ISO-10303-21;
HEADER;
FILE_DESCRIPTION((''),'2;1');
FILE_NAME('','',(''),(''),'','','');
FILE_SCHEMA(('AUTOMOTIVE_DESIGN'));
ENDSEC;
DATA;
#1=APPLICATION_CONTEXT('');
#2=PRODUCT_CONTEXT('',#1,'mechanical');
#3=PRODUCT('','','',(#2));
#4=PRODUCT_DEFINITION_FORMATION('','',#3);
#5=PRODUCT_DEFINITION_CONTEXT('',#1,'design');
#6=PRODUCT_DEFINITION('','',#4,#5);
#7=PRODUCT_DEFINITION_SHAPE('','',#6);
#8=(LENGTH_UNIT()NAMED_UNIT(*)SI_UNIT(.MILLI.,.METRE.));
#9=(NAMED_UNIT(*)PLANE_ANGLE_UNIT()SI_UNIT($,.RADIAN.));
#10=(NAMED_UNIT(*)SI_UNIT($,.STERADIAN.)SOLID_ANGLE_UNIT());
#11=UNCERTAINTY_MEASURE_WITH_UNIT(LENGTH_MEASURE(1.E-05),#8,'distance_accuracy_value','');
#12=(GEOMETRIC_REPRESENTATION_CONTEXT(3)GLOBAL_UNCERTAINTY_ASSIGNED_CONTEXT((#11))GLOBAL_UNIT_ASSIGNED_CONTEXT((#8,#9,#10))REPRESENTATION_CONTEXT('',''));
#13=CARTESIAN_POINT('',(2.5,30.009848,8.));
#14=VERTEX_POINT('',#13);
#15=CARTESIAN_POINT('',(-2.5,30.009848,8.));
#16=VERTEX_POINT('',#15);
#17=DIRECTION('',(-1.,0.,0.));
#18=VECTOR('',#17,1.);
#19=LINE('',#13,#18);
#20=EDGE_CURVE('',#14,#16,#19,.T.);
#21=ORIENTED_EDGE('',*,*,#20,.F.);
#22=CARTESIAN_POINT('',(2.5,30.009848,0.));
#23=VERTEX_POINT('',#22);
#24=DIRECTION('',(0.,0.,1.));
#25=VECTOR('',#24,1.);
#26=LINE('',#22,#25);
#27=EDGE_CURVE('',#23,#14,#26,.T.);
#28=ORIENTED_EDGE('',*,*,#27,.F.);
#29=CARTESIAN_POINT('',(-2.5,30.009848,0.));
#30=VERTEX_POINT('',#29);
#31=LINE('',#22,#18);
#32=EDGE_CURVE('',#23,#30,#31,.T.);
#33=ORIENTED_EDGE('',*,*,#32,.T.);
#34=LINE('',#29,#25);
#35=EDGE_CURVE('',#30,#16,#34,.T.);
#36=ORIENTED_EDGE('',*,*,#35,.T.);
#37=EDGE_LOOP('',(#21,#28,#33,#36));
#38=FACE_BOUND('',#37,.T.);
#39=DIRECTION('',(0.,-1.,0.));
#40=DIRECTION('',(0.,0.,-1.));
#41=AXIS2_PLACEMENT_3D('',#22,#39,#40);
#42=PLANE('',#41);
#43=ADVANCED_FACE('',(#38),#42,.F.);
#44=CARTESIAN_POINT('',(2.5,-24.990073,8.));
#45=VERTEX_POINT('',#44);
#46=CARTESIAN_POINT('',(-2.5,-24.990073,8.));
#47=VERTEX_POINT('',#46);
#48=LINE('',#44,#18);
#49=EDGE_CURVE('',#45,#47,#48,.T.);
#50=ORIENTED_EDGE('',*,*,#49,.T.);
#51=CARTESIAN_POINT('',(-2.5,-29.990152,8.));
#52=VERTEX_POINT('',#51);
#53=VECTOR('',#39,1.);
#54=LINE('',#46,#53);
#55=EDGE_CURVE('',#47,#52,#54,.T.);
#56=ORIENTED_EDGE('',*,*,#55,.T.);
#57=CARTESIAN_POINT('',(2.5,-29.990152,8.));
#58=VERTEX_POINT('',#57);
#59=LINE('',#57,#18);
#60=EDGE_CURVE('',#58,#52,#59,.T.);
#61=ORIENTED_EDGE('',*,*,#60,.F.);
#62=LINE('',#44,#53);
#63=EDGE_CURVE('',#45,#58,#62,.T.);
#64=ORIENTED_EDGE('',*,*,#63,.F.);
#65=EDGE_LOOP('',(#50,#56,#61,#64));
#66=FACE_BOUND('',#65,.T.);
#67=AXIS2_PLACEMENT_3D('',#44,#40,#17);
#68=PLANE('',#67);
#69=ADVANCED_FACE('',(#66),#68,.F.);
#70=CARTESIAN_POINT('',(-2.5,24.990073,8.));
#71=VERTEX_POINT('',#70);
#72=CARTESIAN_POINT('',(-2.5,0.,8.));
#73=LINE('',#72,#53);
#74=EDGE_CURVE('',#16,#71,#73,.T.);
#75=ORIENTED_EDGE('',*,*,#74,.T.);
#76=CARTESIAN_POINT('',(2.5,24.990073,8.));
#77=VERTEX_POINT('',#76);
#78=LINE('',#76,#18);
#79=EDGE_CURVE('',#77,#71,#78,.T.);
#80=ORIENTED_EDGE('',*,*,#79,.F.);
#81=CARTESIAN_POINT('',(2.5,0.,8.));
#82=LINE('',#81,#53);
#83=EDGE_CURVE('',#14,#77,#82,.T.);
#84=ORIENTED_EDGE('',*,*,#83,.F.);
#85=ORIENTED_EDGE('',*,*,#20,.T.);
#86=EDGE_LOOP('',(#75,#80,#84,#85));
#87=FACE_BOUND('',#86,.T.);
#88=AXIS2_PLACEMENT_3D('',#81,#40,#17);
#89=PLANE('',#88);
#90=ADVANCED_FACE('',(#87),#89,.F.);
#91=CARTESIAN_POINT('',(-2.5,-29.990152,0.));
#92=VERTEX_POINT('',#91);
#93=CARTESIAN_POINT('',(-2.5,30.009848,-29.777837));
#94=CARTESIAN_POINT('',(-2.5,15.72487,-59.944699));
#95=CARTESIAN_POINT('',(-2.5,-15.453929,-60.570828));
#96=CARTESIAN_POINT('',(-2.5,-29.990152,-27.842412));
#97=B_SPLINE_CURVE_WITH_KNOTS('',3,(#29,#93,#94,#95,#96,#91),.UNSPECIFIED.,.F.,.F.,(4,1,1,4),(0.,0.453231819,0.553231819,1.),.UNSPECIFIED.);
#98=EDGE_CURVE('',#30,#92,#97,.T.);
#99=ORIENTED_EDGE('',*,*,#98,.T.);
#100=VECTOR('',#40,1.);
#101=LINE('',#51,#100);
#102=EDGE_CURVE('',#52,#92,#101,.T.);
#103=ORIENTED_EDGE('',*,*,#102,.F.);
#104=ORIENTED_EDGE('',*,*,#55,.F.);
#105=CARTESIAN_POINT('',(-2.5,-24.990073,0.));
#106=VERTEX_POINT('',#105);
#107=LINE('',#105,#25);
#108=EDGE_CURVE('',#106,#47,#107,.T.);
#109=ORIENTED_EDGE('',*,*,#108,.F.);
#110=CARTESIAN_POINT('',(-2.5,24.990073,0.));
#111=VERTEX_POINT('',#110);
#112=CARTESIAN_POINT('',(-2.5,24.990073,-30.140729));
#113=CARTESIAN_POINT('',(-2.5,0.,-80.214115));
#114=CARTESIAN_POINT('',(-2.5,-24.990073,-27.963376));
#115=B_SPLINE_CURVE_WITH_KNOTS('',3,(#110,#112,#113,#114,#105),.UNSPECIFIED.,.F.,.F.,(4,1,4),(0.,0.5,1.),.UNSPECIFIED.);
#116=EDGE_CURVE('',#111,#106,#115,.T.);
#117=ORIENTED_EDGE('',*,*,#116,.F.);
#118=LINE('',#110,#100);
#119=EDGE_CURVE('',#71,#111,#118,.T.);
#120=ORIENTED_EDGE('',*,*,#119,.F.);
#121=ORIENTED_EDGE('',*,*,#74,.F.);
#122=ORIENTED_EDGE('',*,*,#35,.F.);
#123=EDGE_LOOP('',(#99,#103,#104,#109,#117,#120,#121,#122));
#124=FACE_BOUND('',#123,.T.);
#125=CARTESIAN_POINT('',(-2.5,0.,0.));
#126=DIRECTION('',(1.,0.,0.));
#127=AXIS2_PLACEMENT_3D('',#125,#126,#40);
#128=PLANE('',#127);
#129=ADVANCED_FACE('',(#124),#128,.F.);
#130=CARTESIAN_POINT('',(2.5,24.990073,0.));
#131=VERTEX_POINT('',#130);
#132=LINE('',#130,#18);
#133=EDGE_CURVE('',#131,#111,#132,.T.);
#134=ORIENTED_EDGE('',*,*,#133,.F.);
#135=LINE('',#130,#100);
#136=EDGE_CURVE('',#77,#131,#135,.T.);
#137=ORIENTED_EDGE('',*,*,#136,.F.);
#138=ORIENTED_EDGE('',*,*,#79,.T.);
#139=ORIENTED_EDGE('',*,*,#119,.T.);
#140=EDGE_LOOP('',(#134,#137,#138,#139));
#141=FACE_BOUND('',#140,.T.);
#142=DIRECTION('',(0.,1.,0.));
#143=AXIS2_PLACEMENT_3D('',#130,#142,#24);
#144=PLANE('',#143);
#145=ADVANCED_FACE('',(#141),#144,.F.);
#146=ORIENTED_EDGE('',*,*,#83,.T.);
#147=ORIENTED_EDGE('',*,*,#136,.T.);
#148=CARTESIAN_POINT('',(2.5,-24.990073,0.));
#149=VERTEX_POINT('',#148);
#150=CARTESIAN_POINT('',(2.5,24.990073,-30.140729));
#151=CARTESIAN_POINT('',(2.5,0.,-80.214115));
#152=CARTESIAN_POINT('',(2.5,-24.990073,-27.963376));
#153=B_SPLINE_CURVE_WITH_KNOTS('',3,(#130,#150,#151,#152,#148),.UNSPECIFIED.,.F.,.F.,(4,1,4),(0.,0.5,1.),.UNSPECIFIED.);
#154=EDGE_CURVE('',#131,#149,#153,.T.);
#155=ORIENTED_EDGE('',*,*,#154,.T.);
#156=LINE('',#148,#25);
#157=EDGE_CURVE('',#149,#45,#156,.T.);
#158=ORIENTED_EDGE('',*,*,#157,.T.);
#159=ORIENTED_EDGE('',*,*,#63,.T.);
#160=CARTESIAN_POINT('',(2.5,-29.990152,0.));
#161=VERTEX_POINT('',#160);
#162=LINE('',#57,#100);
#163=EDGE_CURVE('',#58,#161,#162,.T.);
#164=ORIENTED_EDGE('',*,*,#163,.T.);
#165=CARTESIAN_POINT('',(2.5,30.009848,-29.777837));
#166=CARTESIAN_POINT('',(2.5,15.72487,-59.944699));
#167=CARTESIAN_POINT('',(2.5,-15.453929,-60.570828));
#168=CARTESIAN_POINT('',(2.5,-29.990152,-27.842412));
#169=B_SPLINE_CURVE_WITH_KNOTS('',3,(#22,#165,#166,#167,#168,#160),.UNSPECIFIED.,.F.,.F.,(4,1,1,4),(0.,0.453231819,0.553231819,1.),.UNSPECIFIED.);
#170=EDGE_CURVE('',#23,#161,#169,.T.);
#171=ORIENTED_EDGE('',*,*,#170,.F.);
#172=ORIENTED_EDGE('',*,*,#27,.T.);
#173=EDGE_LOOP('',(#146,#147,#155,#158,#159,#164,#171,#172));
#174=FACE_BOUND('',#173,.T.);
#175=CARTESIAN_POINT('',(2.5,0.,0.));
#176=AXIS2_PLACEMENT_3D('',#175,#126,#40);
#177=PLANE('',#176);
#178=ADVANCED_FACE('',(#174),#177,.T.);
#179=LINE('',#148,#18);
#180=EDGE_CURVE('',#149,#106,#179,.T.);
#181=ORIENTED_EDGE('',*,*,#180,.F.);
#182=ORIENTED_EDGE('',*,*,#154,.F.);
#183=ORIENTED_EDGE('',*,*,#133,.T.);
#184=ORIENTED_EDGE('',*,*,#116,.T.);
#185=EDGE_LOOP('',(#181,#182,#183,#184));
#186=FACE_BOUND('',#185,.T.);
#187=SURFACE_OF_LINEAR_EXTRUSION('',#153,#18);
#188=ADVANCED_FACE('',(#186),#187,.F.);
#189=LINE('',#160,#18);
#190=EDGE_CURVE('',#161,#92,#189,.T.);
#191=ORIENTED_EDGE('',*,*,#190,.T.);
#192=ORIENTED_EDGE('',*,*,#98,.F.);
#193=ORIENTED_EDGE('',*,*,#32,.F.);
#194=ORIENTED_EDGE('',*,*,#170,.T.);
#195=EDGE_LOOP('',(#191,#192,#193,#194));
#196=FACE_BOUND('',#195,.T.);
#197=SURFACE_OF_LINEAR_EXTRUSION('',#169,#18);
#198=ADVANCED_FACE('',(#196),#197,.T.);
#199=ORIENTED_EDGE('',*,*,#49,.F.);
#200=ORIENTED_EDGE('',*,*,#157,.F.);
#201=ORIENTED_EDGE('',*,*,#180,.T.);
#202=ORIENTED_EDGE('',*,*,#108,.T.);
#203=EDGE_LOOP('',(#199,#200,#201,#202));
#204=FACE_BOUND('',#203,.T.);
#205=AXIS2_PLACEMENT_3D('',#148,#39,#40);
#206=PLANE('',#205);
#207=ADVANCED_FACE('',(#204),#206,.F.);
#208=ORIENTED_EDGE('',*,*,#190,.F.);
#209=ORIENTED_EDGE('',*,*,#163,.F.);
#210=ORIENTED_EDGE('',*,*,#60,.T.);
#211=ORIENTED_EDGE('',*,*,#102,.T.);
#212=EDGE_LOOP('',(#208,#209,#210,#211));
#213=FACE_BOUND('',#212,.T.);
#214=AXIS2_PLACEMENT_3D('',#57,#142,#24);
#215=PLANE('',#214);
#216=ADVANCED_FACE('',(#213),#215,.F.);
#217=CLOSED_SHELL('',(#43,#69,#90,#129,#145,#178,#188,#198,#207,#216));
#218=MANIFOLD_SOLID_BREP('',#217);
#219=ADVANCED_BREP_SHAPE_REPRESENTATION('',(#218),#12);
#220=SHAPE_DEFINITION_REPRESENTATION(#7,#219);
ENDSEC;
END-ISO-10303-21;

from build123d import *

# Parameters (mm, degrees)
SKETCH1_W           = 8
SKETCH1_H           = 5.019775672
SKETCH1_H_2         = 5.000079272
BOSS_EXTRUDE1_DEPTH = 2.5


with BuildPart() as part:
    # Sketch1 → Boss-Extrude1 (new, symmetric)
    with BuildSketch(Plane(origin=(0, 0, 0), x_dir=(0, 0, -1), z_dir=(1, 0, 0))):
        with Locations((-4, 27.499960364)):
            Rectangle(SKETCH1_W, SKETCH1_H)
        with BuildLine():
            add(Edge.make_bspline(
                [(0, 30.0098482), (29.777837141, 30.0098482), (59.944698768, 15.724870112), (60.57082784, -15.453928663), (27.842412116, -29.9901518), (0, -29.9901518)],
                knots=[0, 0, 0, 0, 0.453231819, 0.553231819, 1, 1, 1, 1], degree=3))
            Line((0, 30.0098482), (0, 24.990072528))
            add(Edge.make_bspline(
                [(0, 24.990072528), (30.140729333, 24.990072528), (80.214114902, 0), (27.96337618, -24.990072528), (0, -24.990072528)],
                knots=[0, 0, 0, 0, 0.5, 1, 1, 1, 1], degree=3))
            Line((0, -24.990072528), (0, -29.9901518))
        make_face()
        with Locations((-4, -27.490112164)):
            Rectangle(SKETCH1_W, SKETCH1_H_2)
    extrude(amount=BOSS_EXTRUDE1_DEPTH, both=True)


solid = part.part
